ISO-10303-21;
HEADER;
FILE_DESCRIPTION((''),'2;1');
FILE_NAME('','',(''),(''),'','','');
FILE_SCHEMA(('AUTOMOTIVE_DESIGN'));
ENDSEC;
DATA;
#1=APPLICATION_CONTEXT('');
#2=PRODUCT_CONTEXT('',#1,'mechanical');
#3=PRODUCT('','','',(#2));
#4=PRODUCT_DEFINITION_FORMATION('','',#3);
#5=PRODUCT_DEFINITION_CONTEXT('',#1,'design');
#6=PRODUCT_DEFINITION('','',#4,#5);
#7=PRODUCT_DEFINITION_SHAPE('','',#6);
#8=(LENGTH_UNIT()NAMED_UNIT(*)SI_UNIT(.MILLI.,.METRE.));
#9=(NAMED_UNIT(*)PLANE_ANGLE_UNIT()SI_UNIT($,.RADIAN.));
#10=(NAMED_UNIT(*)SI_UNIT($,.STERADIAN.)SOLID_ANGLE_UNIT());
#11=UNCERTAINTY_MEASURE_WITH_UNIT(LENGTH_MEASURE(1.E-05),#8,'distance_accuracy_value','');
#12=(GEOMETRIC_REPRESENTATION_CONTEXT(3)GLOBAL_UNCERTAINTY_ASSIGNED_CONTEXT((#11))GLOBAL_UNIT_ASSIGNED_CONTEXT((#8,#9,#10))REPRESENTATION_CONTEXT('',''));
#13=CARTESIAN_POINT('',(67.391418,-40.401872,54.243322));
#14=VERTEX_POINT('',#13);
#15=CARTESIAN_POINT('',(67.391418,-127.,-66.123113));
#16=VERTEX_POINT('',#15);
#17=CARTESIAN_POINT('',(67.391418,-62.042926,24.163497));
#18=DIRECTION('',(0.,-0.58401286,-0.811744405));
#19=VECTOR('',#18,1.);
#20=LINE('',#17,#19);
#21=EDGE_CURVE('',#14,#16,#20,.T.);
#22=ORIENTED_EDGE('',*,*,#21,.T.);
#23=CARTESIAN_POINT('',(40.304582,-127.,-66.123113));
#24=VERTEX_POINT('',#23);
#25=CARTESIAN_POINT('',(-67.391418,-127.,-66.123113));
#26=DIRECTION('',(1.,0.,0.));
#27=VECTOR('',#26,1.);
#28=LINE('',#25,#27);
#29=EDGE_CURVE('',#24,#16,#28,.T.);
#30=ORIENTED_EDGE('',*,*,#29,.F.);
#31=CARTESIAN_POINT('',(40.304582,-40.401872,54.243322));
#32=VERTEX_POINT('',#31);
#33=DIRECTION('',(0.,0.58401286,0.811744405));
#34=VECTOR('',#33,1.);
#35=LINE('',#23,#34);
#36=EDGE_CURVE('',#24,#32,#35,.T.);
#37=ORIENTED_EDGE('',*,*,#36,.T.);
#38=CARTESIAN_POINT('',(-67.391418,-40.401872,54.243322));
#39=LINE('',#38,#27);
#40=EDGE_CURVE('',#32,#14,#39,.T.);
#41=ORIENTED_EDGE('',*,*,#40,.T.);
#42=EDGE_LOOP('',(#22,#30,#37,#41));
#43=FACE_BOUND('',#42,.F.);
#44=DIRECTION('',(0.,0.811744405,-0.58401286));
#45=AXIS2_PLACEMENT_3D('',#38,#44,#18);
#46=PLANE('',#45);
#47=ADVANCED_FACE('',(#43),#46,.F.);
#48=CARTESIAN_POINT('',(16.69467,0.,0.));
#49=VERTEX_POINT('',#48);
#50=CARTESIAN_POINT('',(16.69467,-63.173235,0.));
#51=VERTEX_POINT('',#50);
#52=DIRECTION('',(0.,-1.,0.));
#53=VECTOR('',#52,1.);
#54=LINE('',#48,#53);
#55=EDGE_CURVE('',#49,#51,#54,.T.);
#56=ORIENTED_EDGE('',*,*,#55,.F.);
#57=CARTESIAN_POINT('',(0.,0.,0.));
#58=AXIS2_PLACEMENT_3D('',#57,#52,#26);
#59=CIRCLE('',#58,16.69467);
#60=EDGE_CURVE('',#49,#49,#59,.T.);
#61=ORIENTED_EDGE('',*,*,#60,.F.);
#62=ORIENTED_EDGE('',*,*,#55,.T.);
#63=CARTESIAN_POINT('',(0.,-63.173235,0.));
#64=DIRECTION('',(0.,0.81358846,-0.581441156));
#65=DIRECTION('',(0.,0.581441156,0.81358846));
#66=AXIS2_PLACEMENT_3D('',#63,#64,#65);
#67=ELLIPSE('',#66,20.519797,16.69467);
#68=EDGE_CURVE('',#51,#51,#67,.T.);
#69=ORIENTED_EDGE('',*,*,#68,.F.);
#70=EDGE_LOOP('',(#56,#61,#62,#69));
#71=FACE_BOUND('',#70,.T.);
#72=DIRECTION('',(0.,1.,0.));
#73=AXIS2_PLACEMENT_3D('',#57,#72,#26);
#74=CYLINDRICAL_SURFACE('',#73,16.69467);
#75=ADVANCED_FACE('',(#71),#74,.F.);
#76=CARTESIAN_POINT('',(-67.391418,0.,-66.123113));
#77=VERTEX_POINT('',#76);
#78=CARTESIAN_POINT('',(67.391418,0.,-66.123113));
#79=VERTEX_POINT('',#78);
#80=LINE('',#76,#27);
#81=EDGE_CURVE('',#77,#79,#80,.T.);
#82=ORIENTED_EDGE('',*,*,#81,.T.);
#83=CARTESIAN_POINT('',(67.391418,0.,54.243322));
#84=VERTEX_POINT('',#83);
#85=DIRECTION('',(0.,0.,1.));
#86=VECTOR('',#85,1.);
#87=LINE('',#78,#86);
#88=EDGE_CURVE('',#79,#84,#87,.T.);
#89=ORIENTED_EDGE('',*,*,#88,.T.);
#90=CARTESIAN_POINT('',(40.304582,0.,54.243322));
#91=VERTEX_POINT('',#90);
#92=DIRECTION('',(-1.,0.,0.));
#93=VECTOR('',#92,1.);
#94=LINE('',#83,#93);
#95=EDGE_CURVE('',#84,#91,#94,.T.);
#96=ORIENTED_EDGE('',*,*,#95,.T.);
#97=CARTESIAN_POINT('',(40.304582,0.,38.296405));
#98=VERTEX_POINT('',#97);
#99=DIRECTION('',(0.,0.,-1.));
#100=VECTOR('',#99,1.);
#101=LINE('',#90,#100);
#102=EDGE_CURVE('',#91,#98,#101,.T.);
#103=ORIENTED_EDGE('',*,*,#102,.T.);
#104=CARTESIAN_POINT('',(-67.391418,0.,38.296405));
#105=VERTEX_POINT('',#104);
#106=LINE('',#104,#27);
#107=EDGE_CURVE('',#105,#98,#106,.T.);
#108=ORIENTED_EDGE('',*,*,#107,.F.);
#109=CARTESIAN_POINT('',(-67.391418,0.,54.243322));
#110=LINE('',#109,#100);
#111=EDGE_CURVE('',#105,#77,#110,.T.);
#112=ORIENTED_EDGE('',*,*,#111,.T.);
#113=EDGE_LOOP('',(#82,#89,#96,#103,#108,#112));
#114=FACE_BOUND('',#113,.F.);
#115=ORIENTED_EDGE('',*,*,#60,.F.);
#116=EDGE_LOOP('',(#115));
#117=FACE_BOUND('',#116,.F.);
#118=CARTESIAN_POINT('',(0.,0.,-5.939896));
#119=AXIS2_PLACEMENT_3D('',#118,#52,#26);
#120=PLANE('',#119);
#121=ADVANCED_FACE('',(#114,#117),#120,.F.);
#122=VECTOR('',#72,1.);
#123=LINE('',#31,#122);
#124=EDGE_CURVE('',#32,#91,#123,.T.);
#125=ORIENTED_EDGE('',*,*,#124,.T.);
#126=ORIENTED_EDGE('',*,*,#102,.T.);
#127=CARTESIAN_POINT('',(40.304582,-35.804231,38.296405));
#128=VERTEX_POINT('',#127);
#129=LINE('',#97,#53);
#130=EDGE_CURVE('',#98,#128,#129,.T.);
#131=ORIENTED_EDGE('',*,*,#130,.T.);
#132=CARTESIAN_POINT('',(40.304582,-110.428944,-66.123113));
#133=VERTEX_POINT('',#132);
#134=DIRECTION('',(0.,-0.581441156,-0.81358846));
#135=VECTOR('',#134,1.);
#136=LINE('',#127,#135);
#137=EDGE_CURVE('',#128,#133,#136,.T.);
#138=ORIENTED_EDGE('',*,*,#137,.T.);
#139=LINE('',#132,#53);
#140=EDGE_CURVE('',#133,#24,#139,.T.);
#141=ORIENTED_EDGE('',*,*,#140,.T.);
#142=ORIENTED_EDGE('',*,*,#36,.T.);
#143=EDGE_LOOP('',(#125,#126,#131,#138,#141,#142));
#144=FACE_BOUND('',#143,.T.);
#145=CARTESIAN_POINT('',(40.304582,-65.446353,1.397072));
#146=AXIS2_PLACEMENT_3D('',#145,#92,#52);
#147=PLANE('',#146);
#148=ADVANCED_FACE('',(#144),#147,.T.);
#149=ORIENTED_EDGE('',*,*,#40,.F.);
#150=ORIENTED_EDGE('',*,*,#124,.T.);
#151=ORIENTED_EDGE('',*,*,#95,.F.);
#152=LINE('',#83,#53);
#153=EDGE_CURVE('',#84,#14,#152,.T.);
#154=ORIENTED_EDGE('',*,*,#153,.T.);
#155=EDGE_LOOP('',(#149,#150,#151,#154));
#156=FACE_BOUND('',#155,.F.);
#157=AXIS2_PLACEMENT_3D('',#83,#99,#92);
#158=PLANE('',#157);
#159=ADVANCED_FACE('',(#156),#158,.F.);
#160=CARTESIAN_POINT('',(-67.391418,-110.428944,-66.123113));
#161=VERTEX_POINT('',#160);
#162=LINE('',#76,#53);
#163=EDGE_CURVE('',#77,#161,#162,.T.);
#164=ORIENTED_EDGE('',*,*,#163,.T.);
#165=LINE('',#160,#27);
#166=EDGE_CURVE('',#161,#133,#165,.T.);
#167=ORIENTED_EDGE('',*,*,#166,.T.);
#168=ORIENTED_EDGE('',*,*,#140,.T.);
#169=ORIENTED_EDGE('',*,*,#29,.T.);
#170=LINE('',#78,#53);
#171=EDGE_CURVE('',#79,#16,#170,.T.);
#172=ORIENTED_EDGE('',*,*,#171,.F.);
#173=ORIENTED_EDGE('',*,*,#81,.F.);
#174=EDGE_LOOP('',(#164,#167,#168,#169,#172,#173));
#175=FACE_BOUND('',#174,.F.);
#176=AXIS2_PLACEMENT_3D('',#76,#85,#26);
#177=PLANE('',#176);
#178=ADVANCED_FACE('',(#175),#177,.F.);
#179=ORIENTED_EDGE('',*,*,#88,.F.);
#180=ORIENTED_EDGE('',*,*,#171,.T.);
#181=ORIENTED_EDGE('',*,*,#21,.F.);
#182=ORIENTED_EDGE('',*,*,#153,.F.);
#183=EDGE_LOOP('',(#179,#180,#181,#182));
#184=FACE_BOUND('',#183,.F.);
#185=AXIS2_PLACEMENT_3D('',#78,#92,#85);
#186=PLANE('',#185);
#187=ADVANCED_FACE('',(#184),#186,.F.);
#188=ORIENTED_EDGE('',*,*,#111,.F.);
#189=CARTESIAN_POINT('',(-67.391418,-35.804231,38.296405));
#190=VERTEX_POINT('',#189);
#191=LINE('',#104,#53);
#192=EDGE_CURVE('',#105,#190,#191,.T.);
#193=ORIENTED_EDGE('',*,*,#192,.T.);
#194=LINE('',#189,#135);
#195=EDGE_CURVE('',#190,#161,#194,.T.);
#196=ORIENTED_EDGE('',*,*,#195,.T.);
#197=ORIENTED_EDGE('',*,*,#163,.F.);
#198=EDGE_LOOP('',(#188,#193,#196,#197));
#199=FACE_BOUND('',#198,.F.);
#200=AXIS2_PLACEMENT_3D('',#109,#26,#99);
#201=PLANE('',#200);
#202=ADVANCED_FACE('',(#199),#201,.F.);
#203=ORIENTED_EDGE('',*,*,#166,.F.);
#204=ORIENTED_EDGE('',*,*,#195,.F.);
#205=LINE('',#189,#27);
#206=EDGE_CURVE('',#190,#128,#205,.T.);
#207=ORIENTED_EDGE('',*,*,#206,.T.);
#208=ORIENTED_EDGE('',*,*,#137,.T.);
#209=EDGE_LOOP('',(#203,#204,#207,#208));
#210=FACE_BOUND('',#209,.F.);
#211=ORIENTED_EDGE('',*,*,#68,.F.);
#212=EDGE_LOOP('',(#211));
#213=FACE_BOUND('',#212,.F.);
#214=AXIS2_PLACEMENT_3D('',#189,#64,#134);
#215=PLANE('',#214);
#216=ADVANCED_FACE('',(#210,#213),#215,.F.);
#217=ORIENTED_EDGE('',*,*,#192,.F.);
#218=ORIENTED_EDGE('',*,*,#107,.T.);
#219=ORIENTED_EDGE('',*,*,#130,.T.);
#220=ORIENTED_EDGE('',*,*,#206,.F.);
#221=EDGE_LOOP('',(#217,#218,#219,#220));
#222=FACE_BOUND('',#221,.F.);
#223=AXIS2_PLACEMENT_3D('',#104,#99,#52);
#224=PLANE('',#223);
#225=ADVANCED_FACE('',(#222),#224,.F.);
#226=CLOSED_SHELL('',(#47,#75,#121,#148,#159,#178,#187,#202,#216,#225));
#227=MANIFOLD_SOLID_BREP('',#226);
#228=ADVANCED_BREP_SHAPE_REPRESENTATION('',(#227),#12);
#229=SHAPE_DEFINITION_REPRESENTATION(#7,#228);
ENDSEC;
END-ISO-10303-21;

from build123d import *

# Parameters (mm, degrees)
F0_R     = 16.69467
F1_DEPTH = 127
F3_DEPTH = 136.144
F5_DEPTH = 107.696


with BuildPart() as f1:
    # F0 (on Front) → F1 (new body)
    with BuildSketch(Plane.XZ):
        Polygon((67.391418, 54.243322), (0, 54.243322), (-67.391418, 54.243322), (-67.391418, -66.123113), (0, -66.123113), (67.391418, -66.123113), align=None)
        Circle(F0_R, mode=Mode.SUBTRACT)
    extrude(amount=F1_DEPTH)

    # F2 (on face) → F3 (cut)
    with BuildSketch(Plane(origin=(-67.391418, 0, 0), x_dir=(0, -1, 0), z_dir=(-1, 0, 0))):
        Polygon((127, 54.243322), (40.401872, 54.243322), (127, -66.123113), align=None)
    extrude(amount=-F3_DEPTH, mode=Mode.SUBTRACT)

    # F4 (on face) → F5 (cut)
    with BuildSketch(Plane(origin=(-67.391418, 0, 0), x_dir=(0, -1, 0), z_dir=(-1, 0, 0))):
        Polygon((0, 54.243322), (0, 38.296405), (35.804231, 38.296405), (110.428944, -66.123113), (127, -66.123113), (40.401872, 54.243322), align=None)
    extrude(amount=-F5_DEPTH, mode=Mode.SUBTRACT)


solid = f1.part
